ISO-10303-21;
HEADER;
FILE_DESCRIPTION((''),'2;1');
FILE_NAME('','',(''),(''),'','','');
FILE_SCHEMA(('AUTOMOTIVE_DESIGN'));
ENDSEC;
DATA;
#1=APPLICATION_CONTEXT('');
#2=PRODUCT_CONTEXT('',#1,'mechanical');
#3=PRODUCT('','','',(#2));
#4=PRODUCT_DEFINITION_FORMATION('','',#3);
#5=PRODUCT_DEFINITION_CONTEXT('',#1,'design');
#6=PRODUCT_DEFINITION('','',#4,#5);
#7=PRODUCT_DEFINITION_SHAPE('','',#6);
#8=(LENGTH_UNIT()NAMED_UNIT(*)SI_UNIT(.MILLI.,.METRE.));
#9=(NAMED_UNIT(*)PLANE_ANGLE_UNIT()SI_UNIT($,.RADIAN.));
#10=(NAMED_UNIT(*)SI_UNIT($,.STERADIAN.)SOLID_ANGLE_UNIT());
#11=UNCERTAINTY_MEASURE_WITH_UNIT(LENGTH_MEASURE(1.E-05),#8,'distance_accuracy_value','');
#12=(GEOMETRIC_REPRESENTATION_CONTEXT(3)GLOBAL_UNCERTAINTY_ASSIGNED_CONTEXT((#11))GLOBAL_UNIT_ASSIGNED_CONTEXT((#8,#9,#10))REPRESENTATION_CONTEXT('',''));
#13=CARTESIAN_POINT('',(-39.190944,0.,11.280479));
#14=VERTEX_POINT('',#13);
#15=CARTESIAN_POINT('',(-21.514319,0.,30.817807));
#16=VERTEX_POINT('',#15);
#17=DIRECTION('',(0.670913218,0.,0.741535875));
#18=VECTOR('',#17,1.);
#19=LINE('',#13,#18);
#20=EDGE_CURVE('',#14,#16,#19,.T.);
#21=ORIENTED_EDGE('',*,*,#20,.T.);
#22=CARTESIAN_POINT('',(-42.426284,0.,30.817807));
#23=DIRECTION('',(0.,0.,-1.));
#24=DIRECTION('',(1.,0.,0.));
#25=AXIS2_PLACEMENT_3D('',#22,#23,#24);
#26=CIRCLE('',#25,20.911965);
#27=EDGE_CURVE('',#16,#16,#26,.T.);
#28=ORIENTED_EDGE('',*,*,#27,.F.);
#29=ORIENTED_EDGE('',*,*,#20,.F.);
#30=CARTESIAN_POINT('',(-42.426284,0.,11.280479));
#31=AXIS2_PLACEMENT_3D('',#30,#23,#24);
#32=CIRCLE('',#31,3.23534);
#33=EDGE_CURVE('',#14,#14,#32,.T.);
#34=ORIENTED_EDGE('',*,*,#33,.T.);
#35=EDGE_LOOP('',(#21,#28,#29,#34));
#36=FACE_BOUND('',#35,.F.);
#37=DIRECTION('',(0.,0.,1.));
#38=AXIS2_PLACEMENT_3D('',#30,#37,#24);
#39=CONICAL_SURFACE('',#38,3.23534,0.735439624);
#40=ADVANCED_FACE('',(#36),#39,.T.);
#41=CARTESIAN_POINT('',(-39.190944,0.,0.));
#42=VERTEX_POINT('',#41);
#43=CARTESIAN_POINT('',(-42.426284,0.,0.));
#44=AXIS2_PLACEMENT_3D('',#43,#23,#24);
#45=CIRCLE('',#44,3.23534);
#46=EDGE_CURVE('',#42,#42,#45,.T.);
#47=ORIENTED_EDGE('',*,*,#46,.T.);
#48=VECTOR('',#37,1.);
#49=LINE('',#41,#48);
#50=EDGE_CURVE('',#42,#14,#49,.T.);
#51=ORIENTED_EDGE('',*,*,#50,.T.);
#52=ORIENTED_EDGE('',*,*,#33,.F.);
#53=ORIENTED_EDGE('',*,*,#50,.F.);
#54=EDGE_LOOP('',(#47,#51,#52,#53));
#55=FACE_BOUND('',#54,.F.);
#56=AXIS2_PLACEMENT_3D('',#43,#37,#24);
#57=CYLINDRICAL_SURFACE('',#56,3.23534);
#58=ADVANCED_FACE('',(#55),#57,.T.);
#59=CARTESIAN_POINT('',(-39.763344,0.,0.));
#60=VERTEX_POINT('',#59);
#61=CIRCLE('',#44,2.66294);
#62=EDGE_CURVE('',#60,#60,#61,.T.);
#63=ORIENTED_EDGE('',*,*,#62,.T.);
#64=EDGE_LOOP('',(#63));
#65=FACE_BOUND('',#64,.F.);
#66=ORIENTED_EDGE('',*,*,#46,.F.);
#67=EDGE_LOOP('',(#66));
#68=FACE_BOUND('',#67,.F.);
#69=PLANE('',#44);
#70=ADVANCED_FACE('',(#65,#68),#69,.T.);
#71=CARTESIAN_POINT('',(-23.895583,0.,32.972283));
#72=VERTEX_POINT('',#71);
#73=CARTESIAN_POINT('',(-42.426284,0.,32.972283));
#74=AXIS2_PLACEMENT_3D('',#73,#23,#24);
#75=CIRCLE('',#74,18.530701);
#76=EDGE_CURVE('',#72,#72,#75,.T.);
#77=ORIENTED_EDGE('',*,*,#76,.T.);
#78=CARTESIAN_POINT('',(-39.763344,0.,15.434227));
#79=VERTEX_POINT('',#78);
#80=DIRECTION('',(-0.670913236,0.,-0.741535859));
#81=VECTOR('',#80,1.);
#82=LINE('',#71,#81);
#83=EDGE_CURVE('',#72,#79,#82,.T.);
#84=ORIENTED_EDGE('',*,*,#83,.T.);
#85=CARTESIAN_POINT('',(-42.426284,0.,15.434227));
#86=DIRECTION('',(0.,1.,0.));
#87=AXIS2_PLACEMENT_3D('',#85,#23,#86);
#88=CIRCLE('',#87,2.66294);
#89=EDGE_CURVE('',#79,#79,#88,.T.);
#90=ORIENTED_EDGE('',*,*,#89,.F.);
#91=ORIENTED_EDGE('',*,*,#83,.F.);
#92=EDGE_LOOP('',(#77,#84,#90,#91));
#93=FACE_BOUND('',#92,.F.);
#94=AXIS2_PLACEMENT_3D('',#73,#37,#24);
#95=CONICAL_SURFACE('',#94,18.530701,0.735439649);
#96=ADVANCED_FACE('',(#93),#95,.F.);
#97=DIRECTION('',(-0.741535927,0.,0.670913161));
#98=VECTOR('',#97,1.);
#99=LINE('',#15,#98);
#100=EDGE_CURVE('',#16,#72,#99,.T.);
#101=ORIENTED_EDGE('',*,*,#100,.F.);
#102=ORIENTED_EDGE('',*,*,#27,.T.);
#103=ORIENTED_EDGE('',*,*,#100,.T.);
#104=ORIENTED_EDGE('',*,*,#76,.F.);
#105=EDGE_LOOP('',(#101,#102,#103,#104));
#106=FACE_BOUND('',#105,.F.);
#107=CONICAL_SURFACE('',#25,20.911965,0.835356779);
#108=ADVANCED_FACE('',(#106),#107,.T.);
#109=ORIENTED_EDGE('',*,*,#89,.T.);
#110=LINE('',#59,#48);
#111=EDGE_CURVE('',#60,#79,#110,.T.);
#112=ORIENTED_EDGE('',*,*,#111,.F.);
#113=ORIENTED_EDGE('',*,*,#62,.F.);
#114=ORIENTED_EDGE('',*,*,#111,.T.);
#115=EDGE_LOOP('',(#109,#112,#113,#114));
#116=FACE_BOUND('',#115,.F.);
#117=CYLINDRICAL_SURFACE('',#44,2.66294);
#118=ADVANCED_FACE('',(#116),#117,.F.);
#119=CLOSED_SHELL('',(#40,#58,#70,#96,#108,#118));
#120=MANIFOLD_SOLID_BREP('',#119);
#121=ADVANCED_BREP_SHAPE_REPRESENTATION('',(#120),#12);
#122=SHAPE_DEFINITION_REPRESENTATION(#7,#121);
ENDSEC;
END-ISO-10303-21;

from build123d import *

# Parameters (mm, degrees)
F2_R     = 2.66294
F3_DEPTH = 101.6


with BuildPart() as f1:
    # F0 (on Front) → F1 (revolve)
    with BuildSketch(Plane.XZ):
        Polygon((-42.426284, 0), (-39.190944, 0), (-39.190944, 11.280479), (-21.514319, 30.817807), (-23.895583, 32.972283), (-42.426284, 12.490977), align=None)
    revolve(axis=Axis((-42.426284, 0, 6.245489), (0, 0, -1)))

    # F2 (on face) → F3 (cut)
    with BuildSketch(Plane(origin=(0, 0, 0), x_dir=(1, 0, 0), z_dir=(0, 0, -1))):
        with Locations((-42.426284, 0)):
            Circle(F2_R)
    extrude(amount=-F3_DEPTH, mode=Mode.SUBTRACT)


solid = f1.part
